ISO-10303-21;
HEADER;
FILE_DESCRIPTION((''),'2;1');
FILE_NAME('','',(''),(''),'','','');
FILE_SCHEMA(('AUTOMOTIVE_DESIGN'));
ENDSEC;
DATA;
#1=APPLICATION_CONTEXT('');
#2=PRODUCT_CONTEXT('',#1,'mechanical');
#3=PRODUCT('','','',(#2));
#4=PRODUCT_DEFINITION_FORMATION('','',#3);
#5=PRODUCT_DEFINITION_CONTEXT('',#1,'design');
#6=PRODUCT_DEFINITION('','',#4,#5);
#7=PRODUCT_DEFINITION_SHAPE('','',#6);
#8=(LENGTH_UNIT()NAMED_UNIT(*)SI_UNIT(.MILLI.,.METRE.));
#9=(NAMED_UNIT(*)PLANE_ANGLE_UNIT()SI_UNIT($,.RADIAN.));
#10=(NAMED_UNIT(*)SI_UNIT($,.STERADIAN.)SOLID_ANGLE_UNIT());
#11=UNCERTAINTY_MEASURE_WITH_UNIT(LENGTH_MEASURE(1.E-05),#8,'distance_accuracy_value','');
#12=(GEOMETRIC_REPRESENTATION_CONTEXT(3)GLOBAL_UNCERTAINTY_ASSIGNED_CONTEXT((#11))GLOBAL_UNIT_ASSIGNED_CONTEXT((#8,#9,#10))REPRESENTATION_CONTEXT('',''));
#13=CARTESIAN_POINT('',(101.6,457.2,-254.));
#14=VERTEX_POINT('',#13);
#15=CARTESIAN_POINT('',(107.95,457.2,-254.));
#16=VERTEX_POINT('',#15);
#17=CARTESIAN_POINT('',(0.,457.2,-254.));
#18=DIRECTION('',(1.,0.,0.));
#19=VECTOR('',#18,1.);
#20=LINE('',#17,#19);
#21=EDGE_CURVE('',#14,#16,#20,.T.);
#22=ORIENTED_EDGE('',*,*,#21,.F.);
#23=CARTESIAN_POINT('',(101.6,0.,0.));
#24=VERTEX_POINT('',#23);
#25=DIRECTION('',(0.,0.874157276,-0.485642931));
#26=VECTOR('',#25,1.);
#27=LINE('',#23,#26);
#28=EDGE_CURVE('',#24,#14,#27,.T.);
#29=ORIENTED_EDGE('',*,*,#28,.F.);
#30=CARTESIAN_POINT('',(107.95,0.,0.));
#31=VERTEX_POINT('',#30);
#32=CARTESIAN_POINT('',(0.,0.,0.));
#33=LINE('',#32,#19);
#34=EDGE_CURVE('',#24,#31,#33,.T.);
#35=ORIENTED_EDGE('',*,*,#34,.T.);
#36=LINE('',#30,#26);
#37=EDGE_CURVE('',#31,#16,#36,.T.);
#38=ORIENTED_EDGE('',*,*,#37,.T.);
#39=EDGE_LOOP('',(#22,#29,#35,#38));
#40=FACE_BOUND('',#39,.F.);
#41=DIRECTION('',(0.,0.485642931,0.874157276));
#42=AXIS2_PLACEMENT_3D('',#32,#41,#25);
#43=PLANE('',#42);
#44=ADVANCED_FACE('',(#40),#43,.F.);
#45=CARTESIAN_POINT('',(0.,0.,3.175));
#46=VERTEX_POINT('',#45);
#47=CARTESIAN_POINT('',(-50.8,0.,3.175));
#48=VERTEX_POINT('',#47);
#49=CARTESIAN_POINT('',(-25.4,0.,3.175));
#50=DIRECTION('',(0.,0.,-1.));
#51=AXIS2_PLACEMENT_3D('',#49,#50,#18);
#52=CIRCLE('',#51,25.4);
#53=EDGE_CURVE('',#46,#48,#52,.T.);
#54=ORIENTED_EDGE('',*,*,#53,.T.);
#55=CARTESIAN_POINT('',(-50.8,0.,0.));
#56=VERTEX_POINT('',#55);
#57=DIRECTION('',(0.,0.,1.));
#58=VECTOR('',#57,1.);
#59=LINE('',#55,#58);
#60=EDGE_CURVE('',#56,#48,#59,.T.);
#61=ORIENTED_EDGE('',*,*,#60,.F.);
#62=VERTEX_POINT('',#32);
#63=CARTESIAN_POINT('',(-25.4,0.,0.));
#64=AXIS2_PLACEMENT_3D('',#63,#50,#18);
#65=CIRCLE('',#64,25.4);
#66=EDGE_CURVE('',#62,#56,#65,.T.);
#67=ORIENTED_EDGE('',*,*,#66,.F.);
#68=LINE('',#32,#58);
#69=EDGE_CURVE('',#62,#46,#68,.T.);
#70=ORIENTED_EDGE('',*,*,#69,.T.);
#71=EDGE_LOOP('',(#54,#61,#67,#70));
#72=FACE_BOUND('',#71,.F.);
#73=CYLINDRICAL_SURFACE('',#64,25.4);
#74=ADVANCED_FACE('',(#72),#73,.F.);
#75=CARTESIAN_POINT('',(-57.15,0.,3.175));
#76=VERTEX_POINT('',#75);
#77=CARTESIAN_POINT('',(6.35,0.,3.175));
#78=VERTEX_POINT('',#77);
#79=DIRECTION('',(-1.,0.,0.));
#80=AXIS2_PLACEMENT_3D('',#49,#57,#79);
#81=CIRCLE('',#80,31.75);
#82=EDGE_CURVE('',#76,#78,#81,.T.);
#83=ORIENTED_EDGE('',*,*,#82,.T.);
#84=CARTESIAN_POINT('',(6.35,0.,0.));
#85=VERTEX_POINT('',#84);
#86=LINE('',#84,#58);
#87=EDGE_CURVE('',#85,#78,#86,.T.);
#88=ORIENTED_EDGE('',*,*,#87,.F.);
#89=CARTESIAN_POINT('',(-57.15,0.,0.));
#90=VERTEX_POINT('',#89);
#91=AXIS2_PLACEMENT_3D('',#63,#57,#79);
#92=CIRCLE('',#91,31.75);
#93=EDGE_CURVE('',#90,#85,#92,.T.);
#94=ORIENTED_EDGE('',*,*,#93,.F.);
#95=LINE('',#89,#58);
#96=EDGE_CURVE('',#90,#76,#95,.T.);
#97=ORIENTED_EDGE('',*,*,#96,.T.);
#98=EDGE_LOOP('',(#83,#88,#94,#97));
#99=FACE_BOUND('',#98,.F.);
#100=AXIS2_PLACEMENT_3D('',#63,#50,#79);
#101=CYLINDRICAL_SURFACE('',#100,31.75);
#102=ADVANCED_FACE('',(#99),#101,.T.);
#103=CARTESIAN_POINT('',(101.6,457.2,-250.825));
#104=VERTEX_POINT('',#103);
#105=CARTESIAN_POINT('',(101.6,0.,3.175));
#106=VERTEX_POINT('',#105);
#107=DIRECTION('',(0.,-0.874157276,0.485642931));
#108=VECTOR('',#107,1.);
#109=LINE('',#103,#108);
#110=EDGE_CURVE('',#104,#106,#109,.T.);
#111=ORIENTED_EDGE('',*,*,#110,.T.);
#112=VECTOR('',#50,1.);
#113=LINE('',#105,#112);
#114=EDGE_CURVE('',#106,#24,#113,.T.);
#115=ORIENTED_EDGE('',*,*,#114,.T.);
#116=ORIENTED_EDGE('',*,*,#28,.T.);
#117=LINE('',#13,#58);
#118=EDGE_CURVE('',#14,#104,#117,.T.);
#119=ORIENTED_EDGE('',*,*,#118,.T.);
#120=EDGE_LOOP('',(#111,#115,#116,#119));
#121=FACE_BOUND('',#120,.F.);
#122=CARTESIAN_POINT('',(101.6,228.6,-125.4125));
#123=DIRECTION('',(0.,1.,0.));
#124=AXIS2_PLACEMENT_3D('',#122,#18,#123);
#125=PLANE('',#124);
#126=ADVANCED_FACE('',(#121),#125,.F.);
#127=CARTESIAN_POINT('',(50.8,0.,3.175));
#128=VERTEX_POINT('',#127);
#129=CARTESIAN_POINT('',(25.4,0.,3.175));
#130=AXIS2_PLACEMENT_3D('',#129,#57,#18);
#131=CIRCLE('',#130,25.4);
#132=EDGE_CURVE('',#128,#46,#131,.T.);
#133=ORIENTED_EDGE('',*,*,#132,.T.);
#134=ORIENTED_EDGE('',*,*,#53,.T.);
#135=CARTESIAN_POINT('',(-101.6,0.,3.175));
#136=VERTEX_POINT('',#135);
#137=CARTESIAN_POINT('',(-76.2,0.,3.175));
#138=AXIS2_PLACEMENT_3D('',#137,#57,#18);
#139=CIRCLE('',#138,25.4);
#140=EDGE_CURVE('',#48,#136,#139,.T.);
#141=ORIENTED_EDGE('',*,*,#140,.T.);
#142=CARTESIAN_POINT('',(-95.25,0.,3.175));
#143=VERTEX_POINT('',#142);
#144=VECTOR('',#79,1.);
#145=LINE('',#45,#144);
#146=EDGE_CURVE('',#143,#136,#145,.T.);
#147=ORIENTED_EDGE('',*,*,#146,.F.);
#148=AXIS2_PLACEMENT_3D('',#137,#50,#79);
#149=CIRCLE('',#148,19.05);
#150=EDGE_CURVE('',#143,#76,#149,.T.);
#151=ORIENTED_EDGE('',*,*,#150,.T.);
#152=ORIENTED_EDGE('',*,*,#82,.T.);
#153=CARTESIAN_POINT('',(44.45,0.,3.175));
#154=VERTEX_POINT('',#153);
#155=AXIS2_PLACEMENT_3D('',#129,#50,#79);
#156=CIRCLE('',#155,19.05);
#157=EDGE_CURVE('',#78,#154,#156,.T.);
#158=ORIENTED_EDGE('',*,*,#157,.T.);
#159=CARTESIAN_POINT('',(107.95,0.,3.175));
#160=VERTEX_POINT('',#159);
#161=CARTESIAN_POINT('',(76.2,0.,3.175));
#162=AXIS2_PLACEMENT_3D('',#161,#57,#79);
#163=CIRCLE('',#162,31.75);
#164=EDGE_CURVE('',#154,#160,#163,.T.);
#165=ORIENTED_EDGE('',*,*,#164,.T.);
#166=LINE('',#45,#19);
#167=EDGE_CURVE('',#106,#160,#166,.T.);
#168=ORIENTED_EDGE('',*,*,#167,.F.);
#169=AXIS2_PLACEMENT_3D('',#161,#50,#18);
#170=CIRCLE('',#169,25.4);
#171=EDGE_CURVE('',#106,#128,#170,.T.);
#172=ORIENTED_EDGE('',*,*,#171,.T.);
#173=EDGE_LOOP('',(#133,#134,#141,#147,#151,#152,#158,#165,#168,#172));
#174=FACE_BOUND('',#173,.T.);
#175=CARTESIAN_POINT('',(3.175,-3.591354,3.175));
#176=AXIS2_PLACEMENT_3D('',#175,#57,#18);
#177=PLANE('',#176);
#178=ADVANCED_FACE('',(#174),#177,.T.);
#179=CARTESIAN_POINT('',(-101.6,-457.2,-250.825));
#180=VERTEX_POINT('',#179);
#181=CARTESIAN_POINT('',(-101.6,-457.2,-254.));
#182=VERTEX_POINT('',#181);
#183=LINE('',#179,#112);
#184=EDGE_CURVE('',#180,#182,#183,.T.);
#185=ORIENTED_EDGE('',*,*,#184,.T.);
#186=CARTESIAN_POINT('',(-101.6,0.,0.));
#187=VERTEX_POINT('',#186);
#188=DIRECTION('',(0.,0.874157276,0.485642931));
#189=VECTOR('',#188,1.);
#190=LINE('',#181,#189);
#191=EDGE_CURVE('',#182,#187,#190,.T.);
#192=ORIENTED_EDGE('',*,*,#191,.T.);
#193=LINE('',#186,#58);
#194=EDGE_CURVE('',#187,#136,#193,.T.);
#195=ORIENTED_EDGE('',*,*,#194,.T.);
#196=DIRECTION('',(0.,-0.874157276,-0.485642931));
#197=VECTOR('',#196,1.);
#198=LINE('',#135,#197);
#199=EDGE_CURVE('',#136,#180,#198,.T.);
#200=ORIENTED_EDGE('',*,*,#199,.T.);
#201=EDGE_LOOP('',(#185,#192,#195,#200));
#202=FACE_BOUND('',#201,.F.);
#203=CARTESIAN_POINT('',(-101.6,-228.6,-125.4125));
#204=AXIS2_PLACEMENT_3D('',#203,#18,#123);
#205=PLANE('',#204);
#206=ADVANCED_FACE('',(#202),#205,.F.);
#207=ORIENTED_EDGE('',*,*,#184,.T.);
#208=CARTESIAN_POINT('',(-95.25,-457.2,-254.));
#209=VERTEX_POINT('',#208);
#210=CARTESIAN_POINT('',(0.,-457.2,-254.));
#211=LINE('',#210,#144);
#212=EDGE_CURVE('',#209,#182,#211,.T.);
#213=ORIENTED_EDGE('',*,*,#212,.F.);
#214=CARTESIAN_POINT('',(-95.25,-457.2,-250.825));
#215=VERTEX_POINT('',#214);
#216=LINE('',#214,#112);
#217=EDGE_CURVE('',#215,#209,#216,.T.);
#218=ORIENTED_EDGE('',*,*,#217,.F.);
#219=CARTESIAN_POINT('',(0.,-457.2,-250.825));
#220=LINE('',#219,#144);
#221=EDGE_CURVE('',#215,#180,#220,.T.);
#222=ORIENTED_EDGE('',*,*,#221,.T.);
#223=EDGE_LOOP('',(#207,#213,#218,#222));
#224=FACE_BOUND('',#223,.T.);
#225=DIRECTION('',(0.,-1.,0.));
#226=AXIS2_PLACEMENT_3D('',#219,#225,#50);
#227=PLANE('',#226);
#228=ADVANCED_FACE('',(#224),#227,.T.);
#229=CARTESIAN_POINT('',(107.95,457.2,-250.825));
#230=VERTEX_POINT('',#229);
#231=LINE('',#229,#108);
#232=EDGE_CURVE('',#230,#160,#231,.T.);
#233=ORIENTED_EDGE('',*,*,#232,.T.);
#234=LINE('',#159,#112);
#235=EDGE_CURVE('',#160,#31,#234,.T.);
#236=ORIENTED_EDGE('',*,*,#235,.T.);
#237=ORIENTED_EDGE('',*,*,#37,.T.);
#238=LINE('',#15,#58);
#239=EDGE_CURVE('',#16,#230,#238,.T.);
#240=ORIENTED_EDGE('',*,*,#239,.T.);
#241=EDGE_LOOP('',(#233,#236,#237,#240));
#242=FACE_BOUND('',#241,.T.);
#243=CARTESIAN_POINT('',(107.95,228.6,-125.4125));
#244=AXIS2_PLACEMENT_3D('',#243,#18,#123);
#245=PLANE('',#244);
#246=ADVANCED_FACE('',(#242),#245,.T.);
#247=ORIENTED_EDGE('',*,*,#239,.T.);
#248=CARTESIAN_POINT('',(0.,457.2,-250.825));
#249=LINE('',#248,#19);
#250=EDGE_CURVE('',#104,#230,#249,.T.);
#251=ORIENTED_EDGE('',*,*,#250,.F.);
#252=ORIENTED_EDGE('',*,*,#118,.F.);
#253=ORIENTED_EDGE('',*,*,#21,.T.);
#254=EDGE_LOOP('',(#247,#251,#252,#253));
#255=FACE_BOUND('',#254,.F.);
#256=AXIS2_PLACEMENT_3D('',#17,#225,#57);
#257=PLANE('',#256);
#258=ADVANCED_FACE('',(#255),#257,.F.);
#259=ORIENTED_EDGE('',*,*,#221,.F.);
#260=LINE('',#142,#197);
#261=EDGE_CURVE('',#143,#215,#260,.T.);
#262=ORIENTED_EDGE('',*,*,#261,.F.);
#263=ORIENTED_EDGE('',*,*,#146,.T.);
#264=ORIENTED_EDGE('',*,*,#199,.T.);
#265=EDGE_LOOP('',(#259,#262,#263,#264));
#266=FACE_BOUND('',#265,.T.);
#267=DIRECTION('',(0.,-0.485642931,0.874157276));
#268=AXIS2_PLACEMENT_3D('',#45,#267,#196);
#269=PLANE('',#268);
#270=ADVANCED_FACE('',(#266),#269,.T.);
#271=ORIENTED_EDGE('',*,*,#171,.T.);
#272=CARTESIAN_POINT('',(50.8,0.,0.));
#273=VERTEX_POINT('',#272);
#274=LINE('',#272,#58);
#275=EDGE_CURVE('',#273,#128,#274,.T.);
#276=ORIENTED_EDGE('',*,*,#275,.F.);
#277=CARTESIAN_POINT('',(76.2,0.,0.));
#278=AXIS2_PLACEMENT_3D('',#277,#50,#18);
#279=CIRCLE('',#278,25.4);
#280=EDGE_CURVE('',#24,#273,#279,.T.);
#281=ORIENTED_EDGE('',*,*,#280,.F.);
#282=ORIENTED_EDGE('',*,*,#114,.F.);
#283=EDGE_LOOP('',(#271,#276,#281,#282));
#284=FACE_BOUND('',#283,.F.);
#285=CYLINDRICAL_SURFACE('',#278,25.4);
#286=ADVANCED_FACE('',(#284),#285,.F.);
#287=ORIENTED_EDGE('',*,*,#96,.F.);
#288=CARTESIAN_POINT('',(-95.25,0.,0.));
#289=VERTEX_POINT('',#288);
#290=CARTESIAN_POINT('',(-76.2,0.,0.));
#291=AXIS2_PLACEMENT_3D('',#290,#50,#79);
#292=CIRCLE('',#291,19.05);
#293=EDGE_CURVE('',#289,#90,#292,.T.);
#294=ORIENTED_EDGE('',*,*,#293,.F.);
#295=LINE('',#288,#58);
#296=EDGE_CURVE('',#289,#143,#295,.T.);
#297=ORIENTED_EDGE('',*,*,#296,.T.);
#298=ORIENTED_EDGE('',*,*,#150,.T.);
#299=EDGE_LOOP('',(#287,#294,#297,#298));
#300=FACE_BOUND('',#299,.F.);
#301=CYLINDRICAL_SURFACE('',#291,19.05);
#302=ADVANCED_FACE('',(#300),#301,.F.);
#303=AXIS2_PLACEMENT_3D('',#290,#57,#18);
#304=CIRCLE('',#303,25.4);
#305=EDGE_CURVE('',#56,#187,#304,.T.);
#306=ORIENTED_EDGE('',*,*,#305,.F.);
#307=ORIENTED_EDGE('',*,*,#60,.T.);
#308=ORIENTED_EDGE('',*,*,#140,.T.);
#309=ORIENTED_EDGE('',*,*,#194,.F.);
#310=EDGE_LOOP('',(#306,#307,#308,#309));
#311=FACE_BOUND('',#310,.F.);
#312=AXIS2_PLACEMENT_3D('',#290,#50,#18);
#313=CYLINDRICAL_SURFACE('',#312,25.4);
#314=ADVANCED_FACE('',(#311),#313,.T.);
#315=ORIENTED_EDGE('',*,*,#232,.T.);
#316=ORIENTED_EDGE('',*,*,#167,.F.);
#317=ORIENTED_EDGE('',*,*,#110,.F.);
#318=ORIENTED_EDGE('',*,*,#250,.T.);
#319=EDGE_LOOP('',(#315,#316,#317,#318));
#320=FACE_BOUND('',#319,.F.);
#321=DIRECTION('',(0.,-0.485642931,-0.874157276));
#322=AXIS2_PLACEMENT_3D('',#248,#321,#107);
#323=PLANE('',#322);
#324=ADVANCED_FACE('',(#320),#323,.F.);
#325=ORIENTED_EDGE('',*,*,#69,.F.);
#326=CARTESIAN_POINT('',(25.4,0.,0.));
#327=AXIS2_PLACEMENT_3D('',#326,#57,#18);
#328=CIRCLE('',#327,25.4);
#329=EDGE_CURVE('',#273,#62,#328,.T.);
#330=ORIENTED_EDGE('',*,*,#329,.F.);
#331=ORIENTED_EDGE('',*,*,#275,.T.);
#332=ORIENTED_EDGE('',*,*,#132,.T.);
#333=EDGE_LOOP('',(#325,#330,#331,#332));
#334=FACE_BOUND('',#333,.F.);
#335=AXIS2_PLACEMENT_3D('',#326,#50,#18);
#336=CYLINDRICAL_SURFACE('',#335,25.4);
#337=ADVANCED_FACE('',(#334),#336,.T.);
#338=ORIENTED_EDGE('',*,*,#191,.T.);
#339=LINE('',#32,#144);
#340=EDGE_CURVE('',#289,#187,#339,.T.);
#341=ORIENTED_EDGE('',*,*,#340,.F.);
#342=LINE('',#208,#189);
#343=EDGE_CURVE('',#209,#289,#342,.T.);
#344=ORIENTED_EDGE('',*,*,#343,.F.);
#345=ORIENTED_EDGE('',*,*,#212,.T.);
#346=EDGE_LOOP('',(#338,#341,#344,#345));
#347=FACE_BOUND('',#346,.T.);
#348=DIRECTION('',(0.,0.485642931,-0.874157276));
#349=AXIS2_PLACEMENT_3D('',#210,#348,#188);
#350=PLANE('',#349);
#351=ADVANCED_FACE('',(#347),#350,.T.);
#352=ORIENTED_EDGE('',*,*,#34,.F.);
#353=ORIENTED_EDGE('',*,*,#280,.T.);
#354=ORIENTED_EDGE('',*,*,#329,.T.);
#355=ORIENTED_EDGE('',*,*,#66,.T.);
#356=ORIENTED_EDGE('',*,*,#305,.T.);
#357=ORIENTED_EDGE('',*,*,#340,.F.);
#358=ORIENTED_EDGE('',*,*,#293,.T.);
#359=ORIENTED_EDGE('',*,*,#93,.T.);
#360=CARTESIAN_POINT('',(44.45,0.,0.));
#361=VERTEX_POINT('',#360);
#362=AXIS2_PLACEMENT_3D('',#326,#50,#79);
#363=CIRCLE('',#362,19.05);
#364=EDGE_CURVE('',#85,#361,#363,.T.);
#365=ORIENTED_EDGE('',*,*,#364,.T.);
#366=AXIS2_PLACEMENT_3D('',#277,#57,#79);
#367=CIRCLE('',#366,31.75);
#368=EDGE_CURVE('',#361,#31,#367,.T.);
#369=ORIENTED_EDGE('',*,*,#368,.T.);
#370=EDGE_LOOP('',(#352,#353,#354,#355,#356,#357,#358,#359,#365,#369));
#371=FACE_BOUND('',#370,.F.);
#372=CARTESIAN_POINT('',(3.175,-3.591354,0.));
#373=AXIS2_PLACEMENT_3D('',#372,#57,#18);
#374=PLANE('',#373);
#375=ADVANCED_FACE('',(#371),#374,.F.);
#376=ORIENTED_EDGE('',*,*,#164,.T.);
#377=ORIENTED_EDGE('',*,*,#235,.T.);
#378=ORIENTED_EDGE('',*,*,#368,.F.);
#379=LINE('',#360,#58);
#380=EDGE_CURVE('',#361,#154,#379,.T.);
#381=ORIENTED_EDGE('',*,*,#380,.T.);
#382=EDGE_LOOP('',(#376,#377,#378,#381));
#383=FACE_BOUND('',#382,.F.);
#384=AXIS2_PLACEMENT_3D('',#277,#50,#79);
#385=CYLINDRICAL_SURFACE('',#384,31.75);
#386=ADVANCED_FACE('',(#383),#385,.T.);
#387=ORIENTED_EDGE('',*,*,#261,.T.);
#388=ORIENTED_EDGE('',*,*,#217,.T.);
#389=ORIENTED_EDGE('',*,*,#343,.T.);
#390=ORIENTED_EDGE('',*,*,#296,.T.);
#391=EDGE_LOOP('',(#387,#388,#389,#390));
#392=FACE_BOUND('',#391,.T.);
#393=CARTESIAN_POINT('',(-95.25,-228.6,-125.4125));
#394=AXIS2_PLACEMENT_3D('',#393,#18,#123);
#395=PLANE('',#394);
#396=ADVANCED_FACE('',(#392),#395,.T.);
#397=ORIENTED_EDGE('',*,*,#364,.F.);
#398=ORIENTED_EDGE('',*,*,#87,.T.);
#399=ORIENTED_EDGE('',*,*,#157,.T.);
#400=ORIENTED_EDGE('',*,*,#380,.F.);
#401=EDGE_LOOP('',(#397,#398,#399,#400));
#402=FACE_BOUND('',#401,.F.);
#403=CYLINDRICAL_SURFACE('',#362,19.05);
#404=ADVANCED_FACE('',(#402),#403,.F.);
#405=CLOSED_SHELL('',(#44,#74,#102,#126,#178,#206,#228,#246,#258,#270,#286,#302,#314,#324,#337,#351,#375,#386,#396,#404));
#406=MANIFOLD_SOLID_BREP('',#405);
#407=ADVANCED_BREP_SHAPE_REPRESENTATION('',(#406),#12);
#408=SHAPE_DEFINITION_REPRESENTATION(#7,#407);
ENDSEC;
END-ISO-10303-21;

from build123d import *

# Parameters (mm, degrees)
F2_DEPTH = 101.6
F3_DEPTH = 95.25
F5_DEPTH = 107.95
F6_DEPTH = 101.6
F7_DEPTH = 3.175


with BuildPart() as f2:
    # F1 (on Right) → F2 (new body)
    with BuildSketch(Plane.YZ):
        Polygon((-457.2, -254), (0, 0), (0, 3.175), (-457.2, -250.825), align=None)
    extrude(amount=-F2_DEPTH)

    # F1 (on Right) → F3 (cut)
    with BuildSketch(Plane.YZ):
        Polygon((-457.2, -254), (0, 0), (0, 3.175), (-457.2, -250.825), align=None)
    extrude(amount=-F3_DEPTH, mode=Mode.SUBTRACT)



with BuildPart() as f5:
    # F4 (on Right) → F5 (new body)
    with BuildSketch(Plane.YZ):
        Polygon((0, 3.175), (0, 0), (457.2, -254), (457.2, -250.825), align=None)
    extrude(amount=F5_DEPTH)

    # F4 (on Right) → F6 (cut)
    with BuildSketch(Plane.YZ):
        Polygon((0, 3.175), (0, 0), (457.2, -254), (457.2, -250.825), align=None)
    extrude(amount=F6_DEPTH, mode=Mode.SUBTRACT)


with BuildPart() as f2_1:
    add(f2.part)

    add(f5.part)  # F7 merges F5
    # F0 (on Top) → F7 (join)
    with BuildSketch(Plane.XY):
        with BuildLine():
            ThreePointArc((0, 0), (-25.4, -25.4), (-50.8, 0))
            ThreePointArc((-50.8, 0), (-76.2, 25.4), (-101.6, 0))
            Line((-101.6, 0), (-95.25, 0))
            ThreePointArc((-95.25, 0), (-76.2, 19.05), (-57.15, 0))
            ThreePointArc((-57.15, 0), (-25.4, -31.75), (6.35, 0))
            ThreePointArc((6.35, 0), (25.4, 19.05), (44.45, 0))
            ThreePointArc((44.45, 0), (76.2, -31.75), (107.95, 0))
            Line((107.95, 0), (101.6, 0))
            ThreePointArc((101.6, 0), (76.2, -25.4), (50.8, 0))
            ThreePointArc((50.8, 0), (25.4, 25.4), (0, 0))
        make_face()
    extrude(amount=F7_DEPTH)


solid = f2_1.part
